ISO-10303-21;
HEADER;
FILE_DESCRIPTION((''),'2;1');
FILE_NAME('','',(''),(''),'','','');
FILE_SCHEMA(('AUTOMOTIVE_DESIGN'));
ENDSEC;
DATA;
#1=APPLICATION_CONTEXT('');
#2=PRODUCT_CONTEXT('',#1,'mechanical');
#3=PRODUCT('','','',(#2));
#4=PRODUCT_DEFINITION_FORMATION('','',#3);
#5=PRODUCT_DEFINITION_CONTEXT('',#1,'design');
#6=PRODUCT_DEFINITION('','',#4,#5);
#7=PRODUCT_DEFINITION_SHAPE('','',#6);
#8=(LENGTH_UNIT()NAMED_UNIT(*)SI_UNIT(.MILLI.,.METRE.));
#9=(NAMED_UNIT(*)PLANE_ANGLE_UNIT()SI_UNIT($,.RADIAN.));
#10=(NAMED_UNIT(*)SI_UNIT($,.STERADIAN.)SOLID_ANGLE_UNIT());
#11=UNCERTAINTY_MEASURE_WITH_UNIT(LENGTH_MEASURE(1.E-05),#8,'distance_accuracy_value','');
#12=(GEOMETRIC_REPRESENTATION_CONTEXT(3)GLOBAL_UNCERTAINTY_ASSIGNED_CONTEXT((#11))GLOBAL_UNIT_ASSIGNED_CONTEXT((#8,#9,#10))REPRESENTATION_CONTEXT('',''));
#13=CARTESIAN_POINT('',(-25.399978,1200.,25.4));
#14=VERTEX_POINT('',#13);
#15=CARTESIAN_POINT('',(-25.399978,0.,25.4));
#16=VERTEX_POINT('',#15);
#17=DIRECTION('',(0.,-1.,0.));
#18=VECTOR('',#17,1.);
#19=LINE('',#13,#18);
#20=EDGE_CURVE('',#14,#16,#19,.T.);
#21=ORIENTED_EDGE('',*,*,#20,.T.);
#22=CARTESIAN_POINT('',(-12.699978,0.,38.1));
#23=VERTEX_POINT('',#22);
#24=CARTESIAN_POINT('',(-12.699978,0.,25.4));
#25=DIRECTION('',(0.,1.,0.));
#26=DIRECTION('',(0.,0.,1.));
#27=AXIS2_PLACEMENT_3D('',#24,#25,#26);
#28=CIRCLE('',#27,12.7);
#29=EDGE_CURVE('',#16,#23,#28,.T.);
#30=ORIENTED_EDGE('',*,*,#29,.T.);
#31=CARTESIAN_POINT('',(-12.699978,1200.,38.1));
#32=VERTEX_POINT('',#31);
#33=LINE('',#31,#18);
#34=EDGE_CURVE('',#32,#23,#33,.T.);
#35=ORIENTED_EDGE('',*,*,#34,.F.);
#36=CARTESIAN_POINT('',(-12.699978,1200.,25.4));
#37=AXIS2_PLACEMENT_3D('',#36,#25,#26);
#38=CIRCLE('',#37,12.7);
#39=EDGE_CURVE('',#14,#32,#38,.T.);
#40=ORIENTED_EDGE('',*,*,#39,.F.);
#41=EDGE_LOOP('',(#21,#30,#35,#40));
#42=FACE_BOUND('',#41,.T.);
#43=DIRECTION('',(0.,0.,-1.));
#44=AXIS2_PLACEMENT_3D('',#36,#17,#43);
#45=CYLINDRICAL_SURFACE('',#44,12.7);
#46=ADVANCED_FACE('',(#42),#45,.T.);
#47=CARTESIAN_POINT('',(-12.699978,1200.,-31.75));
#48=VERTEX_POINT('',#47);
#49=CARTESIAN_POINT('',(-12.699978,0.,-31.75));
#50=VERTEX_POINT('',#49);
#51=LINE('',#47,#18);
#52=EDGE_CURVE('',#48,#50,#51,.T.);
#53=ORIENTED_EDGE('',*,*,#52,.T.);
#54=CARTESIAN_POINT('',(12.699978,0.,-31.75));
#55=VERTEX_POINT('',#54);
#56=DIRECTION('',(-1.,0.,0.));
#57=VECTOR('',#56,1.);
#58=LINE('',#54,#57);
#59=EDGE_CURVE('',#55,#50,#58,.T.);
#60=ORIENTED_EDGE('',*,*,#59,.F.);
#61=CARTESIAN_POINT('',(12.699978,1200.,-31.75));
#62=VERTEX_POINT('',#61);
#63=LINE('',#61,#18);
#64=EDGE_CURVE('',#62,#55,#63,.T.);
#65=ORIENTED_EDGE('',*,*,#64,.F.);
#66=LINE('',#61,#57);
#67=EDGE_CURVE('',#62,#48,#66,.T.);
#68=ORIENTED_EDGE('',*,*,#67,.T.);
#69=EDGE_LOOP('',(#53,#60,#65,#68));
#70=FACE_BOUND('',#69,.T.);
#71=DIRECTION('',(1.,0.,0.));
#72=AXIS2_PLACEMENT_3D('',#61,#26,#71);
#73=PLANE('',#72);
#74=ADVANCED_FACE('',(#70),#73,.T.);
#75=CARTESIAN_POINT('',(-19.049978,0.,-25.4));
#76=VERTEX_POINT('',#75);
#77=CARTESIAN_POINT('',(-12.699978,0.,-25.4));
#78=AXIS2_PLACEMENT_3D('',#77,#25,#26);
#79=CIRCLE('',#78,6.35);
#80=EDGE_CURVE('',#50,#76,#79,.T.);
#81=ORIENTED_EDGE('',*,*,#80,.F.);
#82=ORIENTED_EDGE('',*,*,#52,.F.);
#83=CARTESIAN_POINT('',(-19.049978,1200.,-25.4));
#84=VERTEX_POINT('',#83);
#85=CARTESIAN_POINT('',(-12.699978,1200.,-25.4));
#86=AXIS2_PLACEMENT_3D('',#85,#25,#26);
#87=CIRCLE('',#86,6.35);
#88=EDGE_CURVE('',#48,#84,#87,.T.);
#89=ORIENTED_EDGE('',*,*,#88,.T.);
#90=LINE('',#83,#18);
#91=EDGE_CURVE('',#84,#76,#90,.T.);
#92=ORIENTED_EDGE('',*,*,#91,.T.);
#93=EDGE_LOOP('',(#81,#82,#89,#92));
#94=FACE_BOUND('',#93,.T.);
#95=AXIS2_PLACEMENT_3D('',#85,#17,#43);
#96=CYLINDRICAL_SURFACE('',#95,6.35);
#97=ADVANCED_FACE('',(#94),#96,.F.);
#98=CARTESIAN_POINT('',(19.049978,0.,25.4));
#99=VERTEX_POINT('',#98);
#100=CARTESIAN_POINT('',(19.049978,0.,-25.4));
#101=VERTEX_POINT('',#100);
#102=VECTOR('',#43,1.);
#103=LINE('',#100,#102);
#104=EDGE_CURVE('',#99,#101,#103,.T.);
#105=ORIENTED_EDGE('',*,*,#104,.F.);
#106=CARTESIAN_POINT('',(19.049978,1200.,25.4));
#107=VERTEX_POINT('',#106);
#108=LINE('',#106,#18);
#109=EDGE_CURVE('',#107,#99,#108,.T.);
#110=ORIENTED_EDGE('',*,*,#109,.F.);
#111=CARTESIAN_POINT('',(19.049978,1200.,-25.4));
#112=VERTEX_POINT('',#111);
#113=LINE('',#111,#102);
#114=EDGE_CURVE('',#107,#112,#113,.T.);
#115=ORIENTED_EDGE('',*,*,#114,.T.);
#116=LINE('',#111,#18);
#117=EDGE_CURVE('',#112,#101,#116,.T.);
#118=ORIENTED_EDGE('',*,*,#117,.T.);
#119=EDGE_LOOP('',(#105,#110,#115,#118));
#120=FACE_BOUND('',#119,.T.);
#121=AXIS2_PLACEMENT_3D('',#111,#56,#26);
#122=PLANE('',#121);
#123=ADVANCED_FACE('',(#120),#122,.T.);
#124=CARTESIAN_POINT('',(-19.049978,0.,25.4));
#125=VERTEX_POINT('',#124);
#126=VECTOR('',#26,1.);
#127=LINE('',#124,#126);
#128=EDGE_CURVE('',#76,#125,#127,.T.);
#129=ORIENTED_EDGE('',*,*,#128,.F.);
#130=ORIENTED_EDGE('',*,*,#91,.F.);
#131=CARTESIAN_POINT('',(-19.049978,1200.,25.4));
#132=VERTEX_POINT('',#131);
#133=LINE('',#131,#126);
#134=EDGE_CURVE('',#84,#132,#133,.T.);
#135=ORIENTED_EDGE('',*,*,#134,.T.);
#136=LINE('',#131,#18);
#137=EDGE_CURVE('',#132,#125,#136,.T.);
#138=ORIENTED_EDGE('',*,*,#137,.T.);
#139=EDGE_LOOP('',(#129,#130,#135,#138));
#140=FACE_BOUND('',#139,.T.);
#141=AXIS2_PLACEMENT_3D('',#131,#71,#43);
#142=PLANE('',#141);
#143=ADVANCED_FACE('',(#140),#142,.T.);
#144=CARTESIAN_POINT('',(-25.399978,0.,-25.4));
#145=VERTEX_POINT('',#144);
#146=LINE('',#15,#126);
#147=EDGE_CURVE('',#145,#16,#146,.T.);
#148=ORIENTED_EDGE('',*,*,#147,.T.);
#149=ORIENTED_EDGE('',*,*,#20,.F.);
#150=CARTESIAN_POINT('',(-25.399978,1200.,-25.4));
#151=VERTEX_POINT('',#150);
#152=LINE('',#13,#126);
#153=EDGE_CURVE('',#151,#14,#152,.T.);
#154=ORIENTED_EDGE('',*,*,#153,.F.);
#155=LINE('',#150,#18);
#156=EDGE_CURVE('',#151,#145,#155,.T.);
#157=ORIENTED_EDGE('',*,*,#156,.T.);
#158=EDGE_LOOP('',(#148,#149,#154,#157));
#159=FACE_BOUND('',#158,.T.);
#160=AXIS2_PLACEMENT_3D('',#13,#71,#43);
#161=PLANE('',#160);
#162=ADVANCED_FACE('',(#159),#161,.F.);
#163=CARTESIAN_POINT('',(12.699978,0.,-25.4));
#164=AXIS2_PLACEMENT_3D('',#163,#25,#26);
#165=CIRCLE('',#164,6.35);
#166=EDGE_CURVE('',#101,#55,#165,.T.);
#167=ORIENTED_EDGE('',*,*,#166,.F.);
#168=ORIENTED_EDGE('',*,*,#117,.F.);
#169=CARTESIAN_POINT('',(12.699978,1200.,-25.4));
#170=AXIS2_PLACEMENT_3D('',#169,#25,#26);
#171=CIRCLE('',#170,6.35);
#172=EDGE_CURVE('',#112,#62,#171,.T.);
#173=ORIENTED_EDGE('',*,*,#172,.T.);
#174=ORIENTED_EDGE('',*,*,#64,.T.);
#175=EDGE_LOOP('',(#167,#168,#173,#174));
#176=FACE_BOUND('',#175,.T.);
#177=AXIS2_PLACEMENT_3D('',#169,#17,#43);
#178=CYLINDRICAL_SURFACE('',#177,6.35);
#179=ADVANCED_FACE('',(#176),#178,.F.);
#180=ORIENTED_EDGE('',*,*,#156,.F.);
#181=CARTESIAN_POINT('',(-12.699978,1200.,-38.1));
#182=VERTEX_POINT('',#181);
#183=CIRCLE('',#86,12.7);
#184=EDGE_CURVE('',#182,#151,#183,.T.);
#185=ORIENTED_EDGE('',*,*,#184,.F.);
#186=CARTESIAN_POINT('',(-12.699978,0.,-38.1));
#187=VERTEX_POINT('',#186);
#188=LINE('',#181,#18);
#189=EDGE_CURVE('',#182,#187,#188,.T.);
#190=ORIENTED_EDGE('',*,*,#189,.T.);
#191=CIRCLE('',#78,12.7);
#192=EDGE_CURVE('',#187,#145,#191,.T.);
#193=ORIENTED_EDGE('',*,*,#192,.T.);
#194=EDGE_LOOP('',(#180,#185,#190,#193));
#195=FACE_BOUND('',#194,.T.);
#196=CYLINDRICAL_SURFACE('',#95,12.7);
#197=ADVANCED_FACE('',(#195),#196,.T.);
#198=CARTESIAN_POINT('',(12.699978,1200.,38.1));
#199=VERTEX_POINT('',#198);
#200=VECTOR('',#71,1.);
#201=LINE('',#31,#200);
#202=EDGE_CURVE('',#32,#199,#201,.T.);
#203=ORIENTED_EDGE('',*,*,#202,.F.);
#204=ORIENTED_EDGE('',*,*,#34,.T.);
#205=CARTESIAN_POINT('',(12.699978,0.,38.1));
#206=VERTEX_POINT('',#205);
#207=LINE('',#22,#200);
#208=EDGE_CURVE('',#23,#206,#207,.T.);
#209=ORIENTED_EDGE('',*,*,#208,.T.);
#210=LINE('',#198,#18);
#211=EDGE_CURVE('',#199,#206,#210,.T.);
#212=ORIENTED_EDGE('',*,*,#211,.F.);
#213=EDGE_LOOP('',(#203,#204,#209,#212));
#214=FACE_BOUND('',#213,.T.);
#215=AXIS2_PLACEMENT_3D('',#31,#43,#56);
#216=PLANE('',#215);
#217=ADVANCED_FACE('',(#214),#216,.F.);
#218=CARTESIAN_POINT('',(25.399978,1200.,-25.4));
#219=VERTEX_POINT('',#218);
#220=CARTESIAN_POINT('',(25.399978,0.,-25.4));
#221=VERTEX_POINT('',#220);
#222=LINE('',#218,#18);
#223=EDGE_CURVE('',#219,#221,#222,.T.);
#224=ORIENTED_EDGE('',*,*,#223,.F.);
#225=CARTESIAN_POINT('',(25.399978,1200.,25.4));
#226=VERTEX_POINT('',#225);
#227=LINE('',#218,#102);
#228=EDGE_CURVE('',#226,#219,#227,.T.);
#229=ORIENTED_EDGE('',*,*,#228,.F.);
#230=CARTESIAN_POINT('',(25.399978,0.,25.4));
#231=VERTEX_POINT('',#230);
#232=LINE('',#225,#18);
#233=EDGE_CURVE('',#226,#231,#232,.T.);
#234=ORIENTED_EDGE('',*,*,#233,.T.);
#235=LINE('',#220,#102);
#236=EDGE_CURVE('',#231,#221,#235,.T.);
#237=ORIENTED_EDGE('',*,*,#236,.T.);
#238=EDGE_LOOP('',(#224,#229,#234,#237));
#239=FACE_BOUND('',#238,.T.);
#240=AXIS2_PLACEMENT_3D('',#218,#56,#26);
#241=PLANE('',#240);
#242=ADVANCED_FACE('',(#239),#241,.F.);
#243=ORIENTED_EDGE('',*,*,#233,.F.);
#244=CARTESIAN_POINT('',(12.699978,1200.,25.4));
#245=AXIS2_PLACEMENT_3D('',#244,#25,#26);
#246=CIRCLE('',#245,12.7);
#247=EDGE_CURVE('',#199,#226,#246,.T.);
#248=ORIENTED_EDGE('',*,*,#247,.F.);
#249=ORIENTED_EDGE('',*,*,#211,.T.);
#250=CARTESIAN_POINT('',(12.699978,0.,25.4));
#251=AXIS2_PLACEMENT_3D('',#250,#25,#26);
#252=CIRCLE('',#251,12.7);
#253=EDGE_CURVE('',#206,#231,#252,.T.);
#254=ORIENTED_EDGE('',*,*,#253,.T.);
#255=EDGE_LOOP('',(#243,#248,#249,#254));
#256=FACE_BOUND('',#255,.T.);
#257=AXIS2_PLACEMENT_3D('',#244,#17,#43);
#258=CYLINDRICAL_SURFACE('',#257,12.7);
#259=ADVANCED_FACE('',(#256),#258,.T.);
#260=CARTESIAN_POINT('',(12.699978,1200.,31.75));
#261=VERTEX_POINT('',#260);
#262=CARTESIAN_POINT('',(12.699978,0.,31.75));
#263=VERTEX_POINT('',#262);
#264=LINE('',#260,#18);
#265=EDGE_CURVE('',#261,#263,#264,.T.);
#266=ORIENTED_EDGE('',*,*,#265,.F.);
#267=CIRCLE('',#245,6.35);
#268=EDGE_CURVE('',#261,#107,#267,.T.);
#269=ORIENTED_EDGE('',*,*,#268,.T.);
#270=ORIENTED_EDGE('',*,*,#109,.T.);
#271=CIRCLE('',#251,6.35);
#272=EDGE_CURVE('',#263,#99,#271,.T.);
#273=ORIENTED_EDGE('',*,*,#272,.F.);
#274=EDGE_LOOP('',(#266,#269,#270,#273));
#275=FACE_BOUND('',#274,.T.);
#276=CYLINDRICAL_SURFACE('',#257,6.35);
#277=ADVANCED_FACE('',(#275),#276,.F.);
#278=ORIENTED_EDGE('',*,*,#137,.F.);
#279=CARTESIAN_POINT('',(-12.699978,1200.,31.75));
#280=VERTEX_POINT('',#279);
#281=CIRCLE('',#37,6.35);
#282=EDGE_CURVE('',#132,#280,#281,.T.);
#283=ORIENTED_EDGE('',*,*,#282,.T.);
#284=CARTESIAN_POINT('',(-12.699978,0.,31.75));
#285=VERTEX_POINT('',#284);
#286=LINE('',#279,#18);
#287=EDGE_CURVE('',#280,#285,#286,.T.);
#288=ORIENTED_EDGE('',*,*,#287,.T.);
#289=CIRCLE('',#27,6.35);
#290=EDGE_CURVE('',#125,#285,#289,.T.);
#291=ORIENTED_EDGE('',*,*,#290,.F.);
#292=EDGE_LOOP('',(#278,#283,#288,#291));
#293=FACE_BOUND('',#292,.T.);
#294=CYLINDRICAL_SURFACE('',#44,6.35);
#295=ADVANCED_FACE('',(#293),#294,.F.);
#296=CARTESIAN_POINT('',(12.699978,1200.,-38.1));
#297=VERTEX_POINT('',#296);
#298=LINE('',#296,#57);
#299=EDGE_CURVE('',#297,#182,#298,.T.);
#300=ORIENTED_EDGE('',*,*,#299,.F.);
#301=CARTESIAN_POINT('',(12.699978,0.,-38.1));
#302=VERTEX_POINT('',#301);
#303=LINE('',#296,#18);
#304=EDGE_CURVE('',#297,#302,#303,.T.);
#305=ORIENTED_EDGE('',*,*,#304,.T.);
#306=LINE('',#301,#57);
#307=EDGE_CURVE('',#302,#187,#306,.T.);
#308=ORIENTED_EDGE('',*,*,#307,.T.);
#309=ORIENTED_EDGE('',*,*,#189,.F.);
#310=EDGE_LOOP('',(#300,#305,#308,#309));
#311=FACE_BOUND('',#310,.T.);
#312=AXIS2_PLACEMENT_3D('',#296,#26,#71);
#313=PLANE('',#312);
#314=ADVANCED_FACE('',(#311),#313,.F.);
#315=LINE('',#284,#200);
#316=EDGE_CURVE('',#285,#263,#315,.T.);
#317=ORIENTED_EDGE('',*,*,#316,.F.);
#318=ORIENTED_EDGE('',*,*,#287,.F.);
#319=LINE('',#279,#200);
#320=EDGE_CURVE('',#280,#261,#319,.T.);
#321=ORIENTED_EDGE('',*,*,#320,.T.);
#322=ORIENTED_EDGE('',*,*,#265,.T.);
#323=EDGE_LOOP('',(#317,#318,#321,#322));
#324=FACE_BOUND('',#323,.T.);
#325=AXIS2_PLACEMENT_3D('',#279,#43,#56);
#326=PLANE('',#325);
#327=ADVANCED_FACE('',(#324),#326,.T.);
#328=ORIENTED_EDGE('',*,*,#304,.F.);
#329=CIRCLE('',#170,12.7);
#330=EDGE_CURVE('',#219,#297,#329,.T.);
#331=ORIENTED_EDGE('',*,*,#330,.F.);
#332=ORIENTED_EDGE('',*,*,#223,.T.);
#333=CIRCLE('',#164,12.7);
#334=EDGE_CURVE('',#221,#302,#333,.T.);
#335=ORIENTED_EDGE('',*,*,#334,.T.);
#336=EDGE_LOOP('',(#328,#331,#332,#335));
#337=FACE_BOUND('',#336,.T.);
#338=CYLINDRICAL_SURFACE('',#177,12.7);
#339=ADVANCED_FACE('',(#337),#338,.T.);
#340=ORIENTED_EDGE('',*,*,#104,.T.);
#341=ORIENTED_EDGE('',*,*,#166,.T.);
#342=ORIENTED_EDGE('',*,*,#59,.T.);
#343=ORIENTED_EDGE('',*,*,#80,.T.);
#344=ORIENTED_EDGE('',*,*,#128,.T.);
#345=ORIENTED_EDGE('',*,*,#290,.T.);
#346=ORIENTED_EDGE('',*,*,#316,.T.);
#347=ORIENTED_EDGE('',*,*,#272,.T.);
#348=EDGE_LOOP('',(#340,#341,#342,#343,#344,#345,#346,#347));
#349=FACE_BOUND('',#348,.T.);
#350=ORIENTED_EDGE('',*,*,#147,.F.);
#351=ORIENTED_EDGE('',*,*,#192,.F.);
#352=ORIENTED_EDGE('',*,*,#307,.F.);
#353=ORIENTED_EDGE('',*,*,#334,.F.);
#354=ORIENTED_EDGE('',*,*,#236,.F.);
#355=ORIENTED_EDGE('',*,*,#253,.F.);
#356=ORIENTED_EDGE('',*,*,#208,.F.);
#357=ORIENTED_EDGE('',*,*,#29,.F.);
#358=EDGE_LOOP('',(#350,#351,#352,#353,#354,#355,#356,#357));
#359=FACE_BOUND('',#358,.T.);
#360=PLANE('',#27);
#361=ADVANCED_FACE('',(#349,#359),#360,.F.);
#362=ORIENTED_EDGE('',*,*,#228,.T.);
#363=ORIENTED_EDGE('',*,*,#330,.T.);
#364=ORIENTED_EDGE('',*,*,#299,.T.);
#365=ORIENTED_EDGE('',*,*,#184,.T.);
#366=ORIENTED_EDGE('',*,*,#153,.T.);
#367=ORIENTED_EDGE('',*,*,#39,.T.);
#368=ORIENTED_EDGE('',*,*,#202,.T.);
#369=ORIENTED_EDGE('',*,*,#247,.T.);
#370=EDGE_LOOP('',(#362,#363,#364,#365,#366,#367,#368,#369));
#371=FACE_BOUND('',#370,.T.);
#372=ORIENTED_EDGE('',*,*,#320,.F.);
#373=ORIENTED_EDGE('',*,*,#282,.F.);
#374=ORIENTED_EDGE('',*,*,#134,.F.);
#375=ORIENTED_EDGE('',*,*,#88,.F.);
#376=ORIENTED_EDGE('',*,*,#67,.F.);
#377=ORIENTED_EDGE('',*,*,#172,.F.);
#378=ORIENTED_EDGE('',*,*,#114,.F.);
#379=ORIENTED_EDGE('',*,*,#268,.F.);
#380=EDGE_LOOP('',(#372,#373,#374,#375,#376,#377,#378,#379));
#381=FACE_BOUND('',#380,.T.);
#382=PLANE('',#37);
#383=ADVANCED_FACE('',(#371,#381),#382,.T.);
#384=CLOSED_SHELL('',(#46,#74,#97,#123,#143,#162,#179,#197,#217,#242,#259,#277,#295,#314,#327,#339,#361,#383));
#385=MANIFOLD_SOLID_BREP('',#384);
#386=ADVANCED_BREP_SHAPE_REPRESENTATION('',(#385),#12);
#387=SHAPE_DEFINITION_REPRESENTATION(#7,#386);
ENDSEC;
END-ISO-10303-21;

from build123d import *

# Parameters (mm, degrees)
TUBO_RECTANGULAR_3_X_2_X_0_25_1_DEPTH = 1200


with BuildPart() as part:
    # Sketch1 → Tubo rectangular 3 X 2 X 0.25(1) (new body)
    with BuildSketch(Plane(origin=(0, 0, 0), x_dir=(-1, 0, 0), z_dir=(0, 1, 0))):
        with BuildLine():
            Line((-12.699978, -38.1), (12.699978, -38.1))
            ThreePointArc((12.699978, -38.1), (21.680234121, -34.380256121), (25.399978, -25.4))
            Line((25.399978, -25.4), (25.399978, 25.4))
            ThreePointArc((25.399978, 25.4), (21.680234121, 34.380256121), (12.699978, 38.1))
            Line((12.699978, 38.1), (-12.699978, 38.1))
            ThreePointArc((-12.699978, 38.1), (-21.680234121, 34.380256121), (-25.399978, 25.4))
            Line((-25.399978, 25.4), (-25.399978, -25.4))
            ThreePointArc((-25.399978, -25.4), (-21.680234121, -34.380256121), (-12.699978, -38.1))
        make_face()
        with BuildLine():
            Line((-12.699978, -31.75), (12.699978, -31.75))
            ThreePointArc((12.699978, -31.75), (17.190106061, -29.890128061), (19.049978, -25.4))
            Line((19.049978, -25.4), (19.049978, 25.4))
            ThreePointArc((19.049978, 25.4), (17.190106061, 29.890128061), (12.699978, 31.75))
            Line((12.699978, 31.75), (-12.699978, 31.75))
            ThreePointArc((-12.699978, 31.75), (-17.190106061, 29.890128061), (-19.049978, 25.4))
            Line((-19.049978, 25.4), (-19.049978, -25.4))
            ThreePointArc((-19.049978, -25.4), (-17.190106061, -29.890128061), (-12.699978, -31.75))
        make_face(mode=Mode.SUBTRACT)
    extrude(amount=TUBO_RECTANGULAR_3_X_2_X_0_25_1_DEPTH)


solid = part.part
